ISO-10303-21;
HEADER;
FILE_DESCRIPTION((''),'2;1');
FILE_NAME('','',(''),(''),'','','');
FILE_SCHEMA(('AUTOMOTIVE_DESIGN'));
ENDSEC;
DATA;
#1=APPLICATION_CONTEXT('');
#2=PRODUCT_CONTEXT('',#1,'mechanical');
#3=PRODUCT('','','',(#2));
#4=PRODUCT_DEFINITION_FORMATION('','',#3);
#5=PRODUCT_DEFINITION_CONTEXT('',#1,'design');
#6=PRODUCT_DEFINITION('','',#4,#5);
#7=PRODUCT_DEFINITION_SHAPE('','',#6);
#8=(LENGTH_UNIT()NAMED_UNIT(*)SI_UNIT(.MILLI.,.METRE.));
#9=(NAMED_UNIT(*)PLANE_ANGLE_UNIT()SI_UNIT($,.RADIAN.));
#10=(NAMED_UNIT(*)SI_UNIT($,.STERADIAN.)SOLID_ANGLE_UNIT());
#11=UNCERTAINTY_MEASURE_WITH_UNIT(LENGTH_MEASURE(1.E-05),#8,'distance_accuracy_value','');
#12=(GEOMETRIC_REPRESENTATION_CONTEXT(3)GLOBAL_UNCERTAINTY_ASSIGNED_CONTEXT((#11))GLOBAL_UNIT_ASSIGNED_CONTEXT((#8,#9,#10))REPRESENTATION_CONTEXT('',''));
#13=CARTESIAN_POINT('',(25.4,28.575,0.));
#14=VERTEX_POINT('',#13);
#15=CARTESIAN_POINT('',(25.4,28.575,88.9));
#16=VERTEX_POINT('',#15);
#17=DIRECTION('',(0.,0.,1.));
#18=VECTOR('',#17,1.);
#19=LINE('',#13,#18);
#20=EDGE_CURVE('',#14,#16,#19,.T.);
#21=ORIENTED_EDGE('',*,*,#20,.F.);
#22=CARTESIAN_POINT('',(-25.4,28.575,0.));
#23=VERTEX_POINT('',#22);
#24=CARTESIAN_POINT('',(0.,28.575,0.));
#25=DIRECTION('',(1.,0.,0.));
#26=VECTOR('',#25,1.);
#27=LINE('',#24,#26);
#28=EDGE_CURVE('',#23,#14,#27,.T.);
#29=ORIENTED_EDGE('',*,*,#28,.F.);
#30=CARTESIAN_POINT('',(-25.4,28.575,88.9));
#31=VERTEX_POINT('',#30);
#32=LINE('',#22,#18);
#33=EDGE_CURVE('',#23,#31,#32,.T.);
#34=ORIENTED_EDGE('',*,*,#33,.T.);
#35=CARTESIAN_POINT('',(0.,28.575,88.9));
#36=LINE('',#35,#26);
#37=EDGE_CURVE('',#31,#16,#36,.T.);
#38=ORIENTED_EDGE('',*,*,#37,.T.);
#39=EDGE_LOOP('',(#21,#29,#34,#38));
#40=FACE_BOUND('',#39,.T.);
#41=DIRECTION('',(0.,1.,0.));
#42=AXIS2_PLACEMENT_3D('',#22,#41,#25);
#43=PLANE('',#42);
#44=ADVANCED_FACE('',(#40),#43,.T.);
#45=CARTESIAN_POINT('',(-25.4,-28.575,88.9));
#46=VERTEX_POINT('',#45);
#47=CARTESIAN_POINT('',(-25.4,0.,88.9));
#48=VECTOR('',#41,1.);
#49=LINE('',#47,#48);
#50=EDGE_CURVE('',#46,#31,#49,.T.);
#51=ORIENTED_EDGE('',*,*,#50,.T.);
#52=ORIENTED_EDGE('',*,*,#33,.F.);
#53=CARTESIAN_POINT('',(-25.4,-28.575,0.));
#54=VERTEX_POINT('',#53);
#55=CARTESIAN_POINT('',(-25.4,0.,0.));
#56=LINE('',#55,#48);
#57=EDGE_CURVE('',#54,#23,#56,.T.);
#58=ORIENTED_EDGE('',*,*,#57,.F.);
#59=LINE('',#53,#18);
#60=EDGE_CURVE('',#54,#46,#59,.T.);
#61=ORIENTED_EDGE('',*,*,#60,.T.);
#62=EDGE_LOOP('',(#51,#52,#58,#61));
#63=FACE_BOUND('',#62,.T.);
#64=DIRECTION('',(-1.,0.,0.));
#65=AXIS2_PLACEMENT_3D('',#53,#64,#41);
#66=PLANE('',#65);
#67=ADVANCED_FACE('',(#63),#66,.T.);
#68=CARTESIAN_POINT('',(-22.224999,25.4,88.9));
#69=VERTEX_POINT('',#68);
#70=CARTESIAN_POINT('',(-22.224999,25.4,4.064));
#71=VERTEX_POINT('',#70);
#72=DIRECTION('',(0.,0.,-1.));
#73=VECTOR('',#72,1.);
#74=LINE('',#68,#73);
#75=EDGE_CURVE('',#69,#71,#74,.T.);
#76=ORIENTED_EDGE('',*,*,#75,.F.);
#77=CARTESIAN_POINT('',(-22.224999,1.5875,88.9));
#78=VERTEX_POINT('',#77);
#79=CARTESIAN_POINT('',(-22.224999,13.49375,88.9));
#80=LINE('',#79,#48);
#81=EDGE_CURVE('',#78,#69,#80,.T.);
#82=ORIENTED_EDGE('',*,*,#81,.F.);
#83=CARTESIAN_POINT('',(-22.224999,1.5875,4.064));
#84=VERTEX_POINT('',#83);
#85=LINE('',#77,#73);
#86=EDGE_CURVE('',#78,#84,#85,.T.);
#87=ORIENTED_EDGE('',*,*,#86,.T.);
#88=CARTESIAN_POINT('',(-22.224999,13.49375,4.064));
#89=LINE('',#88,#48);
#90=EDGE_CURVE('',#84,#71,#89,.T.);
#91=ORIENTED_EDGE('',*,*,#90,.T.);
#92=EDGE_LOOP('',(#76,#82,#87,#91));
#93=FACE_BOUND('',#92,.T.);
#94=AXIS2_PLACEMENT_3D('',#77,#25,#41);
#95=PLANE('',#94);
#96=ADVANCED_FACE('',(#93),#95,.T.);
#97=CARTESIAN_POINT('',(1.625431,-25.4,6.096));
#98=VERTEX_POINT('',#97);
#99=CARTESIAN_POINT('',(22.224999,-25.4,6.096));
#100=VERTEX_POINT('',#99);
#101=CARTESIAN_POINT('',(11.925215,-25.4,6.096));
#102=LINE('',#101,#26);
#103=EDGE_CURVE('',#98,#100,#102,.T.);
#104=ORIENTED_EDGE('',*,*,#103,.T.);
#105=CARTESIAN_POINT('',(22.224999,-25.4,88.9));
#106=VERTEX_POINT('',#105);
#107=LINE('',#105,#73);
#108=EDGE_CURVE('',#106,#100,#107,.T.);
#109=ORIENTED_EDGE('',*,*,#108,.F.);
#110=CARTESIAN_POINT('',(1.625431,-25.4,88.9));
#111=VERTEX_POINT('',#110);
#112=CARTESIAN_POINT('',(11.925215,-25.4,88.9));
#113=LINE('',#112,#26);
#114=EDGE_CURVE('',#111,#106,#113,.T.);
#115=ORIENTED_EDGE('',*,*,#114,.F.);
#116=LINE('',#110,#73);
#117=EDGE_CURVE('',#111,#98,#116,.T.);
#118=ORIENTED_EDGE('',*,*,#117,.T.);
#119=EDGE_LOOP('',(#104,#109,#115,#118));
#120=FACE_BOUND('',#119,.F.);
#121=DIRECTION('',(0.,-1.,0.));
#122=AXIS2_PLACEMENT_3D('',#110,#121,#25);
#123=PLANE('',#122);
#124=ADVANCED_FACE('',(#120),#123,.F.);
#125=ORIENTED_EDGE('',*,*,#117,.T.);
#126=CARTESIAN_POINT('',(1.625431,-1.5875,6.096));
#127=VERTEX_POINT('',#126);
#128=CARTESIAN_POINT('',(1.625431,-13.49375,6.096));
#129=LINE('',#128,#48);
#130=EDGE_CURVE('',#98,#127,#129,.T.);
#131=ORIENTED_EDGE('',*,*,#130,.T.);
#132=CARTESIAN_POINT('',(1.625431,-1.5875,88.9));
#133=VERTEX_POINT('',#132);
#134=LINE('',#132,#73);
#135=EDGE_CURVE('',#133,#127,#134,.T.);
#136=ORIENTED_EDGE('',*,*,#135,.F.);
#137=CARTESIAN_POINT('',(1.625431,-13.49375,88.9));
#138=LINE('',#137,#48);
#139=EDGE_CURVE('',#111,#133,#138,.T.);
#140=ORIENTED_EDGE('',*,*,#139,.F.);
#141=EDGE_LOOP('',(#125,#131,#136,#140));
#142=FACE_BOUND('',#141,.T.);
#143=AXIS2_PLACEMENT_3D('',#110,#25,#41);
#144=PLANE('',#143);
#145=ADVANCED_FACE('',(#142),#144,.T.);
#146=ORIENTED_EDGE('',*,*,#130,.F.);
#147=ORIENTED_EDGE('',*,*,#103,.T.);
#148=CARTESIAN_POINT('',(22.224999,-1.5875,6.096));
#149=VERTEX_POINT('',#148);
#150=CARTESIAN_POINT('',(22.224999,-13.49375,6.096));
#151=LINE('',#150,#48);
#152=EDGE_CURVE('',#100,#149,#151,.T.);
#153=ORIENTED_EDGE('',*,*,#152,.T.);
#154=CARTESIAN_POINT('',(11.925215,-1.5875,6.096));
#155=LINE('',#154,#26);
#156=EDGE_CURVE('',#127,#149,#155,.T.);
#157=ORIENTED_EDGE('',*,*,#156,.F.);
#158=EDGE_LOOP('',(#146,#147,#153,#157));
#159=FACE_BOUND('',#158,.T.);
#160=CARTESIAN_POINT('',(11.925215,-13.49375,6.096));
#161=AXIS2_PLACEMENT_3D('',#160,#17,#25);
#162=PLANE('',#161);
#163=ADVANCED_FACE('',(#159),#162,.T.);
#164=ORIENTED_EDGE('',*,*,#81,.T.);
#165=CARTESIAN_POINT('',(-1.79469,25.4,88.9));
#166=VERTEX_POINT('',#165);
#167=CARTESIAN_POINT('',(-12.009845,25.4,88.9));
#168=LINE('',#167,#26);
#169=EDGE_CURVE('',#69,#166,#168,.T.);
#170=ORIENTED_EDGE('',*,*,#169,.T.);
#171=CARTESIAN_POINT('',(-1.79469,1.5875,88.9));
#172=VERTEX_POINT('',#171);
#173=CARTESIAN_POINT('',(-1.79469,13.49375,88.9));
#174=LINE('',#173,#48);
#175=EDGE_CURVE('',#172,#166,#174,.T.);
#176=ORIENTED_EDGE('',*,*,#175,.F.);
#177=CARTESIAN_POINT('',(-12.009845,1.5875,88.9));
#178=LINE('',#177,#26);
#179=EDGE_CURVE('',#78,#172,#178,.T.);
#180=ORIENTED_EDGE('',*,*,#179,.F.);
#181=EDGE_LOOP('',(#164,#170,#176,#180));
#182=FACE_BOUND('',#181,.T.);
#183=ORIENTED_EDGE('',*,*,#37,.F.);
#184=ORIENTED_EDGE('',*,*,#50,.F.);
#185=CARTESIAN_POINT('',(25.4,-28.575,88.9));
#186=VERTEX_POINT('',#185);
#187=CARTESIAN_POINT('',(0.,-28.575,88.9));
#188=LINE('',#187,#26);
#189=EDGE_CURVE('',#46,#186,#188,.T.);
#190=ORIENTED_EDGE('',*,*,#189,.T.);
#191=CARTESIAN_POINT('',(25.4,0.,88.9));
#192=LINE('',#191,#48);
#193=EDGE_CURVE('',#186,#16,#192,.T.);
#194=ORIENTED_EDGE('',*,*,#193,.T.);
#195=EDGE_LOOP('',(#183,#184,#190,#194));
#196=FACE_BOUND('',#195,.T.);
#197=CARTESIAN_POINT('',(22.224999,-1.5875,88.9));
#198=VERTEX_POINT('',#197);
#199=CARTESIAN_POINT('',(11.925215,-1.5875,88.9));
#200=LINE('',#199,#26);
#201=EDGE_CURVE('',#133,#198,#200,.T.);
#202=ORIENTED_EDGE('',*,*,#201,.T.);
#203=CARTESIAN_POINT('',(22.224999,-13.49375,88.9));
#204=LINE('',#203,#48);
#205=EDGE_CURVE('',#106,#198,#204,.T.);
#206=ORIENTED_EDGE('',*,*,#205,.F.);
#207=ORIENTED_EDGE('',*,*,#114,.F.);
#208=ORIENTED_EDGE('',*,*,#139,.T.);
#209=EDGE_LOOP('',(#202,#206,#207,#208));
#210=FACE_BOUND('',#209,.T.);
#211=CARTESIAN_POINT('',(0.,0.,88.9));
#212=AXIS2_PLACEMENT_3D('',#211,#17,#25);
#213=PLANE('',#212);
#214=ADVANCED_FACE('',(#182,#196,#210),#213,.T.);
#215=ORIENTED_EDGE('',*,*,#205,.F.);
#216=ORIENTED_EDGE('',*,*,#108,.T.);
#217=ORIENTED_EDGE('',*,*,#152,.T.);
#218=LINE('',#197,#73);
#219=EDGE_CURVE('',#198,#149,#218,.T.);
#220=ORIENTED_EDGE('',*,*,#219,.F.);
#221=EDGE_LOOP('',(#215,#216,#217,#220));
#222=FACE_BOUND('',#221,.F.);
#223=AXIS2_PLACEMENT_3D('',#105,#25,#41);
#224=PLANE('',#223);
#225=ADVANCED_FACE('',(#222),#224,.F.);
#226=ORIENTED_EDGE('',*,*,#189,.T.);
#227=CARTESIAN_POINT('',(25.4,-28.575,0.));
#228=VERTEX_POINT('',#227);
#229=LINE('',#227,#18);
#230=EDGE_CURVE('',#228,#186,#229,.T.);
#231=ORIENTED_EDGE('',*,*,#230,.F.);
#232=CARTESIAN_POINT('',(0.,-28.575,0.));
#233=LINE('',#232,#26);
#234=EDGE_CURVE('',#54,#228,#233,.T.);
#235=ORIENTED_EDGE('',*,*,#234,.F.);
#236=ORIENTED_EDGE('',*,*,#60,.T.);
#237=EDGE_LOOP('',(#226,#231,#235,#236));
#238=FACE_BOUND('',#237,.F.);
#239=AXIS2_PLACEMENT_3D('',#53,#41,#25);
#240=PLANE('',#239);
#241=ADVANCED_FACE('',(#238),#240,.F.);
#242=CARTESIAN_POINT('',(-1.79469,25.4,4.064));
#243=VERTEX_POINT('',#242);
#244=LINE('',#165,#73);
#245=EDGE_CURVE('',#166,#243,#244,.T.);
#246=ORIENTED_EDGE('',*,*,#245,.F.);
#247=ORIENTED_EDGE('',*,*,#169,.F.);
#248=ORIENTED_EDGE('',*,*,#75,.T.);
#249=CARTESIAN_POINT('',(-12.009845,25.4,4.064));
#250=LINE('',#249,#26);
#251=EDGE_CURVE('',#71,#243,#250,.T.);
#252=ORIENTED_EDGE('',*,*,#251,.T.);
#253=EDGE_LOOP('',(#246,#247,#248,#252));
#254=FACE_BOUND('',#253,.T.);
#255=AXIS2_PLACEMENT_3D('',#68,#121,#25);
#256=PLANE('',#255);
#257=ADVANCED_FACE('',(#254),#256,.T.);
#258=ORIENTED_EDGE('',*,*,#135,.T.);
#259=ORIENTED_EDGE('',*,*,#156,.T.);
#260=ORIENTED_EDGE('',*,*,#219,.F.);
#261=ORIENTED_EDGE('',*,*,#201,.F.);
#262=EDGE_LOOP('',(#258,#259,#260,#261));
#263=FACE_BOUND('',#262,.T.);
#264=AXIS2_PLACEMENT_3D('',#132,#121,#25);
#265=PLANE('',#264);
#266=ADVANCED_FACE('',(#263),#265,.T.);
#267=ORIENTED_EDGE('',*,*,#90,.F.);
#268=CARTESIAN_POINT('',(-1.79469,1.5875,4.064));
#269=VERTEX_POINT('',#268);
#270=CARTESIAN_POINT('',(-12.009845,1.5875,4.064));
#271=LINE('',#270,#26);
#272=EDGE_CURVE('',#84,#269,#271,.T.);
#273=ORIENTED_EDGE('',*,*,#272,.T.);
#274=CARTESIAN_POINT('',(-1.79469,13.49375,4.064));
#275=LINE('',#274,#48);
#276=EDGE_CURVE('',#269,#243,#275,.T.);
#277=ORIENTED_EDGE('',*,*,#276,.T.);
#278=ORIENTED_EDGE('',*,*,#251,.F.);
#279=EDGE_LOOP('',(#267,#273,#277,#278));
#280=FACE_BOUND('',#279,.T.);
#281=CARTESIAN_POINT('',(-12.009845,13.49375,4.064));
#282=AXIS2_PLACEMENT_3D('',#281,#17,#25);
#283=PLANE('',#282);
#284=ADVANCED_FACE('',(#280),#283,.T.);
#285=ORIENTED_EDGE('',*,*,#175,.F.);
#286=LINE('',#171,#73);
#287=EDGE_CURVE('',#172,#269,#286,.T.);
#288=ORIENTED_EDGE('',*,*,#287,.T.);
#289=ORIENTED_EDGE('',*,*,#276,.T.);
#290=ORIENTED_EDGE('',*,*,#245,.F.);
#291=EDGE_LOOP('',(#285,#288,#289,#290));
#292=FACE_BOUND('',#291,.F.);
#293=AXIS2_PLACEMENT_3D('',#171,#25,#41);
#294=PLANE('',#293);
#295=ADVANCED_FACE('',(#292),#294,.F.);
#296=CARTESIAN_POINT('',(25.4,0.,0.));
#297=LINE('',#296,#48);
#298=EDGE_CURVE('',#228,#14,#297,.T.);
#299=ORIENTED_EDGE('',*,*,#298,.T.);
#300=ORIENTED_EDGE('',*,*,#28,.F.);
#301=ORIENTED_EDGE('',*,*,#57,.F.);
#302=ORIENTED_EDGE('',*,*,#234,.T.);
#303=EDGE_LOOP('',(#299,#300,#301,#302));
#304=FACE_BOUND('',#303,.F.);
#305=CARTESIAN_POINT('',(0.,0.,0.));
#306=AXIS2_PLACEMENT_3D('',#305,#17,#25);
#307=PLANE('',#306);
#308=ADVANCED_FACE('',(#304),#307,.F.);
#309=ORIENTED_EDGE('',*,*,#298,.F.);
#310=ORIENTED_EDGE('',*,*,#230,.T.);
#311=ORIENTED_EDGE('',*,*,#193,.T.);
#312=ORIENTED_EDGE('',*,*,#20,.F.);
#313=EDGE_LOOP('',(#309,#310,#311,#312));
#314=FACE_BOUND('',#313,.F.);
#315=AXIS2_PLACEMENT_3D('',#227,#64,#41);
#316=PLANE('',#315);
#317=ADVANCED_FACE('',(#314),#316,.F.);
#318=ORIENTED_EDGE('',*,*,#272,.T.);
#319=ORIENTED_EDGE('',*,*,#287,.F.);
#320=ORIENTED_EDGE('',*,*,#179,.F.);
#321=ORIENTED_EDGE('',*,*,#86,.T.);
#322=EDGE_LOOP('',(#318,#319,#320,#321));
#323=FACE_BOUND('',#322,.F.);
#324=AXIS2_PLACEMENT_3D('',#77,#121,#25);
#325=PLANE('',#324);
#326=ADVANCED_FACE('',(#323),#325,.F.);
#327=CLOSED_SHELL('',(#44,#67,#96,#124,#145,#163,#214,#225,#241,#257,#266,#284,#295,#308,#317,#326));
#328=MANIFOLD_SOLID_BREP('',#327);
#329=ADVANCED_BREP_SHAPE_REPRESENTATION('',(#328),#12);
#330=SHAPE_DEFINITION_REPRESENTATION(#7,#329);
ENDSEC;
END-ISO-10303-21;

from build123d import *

# Parameters (mm, degrees)
F0_W     = 50.8
F0_H     = 57.15
F1_DEPTH = 88.9
F3_W     = 20.430309
F3_H     = 23.8125
F5_DEPTH = 84.836
F4_W     = 20.599569
F4_H     = 23.8125
F6_DEPTH = 82.804


with BuildPart() as f1:
    # F0 (on Top) → F1 (new body)
    with BuildSketch(Plane.XY):
        Rectangle(F0_W, F0_H)
    extrude(amount=F1_DEPTH)

    # F3 (on face) → F5 (cut)
    with BuildSketch(Plane.XY.offset(88.9)):
        with Locations((-12.009845, 13.49375)):
            Rectangle(F3_W, F3_H)
    extrude(amount=-F5_DEPTH, mode=Mode.SUBTRACT)

    # F4 (on face) → F6 (cut)
    with BuildSketch(Plane.XY.offset(88.9)):
        with Locations((11.925215, -13.49375)):
            Rectangle(F4_W, F4_H)
    extrude(amount=-F6_DEPTH, mode=Mode.SUBTRACT)


solid = f1.part
